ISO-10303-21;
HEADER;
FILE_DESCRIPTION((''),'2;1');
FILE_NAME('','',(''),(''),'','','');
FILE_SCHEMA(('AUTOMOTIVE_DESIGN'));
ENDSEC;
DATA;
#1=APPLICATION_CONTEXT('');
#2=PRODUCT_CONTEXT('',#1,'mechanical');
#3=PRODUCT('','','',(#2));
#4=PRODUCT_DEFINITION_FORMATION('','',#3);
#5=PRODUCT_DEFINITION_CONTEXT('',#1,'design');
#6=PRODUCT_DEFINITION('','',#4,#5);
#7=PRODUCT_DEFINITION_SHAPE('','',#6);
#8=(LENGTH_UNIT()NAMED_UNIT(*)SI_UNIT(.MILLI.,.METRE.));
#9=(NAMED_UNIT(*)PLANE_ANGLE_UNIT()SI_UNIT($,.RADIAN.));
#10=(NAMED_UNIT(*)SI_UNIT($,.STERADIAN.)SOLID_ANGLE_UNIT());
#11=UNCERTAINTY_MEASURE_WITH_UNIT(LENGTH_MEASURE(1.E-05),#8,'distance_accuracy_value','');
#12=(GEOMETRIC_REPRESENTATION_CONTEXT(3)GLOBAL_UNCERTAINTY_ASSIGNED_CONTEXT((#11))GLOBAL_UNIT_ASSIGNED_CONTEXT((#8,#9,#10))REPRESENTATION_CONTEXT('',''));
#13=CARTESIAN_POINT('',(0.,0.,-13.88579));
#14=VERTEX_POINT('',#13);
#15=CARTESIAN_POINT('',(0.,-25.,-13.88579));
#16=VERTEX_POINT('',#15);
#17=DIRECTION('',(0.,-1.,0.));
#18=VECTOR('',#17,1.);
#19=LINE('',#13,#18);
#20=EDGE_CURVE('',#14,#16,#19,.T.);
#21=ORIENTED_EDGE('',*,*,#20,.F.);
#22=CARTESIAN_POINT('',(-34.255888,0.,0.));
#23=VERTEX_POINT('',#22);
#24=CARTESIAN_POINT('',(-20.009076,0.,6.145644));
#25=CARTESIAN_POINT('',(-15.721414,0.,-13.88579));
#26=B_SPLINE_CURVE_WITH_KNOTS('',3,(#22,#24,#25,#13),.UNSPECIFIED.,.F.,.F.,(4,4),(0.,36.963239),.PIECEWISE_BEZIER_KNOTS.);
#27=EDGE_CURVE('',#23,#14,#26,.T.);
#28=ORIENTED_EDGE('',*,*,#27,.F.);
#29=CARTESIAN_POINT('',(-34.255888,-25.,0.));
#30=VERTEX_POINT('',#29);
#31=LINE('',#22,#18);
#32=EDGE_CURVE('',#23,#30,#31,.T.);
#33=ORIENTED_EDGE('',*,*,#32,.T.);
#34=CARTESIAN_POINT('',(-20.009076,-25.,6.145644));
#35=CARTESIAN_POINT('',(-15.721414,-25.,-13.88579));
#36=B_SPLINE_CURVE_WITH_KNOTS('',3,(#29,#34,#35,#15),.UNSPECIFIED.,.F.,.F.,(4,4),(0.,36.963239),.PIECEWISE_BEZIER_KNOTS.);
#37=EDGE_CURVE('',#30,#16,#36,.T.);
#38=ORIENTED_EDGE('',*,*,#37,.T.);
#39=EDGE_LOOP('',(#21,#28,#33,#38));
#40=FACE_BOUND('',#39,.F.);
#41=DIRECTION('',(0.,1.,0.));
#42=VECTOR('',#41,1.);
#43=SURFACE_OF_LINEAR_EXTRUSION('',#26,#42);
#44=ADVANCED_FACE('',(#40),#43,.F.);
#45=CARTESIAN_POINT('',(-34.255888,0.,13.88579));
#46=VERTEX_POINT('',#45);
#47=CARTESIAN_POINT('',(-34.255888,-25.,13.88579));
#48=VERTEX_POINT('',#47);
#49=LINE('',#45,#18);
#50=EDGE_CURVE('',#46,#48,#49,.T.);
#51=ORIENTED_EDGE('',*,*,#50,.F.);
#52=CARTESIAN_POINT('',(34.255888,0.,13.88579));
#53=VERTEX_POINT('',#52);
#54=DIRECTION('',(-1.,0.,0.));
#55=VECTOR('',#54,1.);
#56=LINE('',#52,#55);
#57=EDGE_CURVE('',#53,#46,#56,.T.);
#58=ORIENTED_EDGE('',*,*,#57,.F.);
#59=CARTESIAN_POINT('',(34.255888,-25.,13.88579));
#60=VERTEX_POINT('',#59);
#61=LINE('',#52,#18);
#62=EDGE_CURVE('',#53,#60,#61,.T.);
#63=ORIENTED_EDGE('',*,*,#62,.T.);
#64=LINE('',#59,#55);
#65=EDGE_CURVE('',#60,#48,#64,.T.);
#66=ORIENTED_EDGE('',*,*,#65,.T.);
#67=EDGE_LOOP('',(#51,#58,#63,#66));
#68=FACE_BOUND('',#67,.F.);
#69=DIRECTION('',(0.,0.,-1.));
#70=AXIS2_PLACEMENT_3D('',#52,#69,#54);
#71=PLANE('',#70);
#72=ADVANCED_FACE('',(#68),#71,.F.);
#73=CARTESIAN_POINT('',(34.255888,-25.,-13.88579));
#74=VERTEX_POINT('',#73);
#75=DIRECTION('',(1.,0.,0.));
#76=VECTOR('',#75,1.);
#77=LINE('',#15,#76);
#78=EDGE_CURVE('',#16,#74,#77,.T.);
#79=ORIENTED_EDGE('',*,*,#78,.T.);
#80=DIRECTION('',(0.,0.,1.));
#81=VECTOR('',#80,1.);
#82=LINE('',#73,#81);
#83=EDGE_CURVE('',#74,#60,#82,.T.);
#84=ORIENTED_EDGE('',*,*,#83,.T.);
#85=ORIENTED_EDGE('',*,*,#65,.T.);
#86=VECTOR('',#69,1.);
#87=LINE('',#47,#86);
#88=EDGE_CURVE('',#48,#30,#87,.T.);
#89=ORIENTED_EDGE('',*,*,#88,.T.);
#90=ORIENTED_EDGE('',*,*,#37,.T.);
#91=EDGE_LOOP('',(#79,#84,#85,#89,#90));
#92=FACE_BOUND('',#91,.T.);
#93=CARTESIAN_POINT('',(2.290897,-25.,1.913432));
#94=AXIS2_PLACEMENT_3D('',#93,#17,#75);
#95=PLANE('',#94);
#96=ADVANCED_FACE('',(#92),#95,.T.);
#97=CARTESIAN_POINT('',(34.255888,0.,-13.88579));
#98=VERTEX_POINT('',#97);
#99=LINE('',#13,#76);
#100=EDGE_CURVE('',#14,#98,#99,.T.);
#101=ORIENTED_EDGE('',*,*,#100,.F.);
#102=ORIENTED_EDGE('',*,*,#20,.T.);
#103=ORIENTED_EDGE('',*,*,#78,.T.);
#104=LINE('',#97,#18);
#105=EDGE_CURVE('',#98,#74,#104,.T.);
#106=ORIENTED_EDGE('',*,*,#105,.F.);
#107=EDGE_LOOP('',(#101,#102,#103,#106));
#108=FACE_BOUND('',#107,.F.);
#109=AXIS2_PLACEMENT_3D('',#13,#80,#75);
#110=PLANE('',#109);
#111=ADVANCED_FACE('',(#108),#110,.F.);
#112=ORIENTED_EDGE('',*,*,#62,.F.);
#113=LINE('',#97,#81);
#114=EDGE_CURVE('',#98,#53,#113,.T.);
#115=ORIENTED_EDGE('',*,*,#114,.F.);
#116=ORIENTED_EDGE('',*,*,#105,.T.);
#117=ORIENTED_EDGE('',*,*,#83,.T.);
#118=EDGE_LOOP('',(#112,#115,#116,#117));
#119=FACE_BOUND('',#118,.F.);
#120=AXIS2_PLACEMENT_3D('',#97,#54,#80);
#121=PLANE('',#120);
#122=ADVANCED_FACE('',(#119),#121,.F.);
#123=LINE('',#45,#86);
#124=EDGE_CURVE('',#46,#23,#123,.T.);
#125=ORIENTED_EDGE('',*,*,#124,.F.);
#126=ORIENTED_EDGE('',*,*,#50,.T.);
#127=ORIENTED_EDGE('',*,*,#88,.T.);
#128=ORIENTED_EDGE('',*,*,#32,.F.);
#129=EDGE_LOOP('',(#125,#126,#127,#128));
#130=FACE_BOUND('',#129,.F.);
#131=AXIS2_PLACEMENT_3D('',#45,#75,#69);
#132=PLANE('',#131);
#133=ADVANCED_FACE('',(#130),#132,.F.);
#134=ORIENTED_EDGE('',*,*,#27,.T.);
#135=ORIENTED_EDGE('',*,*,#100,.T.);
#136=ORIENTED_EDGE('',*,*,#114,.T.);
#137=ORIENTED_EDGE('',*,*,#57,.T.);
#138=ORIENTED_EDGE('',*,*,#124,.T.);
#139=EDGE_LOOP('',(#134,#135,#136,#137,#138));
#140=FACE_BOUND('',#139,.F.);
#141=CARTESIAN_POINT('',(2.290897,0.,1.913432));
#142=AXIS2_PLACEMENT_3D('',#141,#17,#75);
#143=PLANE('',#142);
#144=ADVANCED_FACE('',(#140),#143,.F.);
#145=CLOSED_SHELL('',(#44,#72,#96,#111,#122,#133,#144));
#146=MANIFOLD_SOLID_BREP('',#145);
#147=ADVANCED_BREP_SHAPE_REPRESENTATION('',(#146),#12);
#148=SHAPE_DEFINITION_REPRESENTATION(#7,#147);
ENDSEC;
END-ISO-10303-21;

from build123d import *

# Parameters (mm, degrees)
F1_DEPTH = 25


with BuildPart() as f1:
    # F0 (on Front) → F1 (new body)
    with BuildSketch(Plane.XZ):
        with BuildLine():
            Line((0, -13.88579), (34.255888, -13.88579))
            Line((34.255888, -13.88579), (34.255888, 13.88579))
            Line((34.255888, 13.88579), (-34.255888, 13.88579))
            Line((-34.255888, 13.88579), (-34.255888, 0))
            add(Edge.make_bspline(
                [(-34.255888, 0), (-20.009076, 6.145644), (-15.721414, -13.88579), (0, -13.88579)],
                knots=[0, 0, 0, 0, 36.963239, 36.963239, 36.963239, 36.963239], degree=3))
        make_face()
    extrude(amount=F1_DEPTH)


solid = f1.part
